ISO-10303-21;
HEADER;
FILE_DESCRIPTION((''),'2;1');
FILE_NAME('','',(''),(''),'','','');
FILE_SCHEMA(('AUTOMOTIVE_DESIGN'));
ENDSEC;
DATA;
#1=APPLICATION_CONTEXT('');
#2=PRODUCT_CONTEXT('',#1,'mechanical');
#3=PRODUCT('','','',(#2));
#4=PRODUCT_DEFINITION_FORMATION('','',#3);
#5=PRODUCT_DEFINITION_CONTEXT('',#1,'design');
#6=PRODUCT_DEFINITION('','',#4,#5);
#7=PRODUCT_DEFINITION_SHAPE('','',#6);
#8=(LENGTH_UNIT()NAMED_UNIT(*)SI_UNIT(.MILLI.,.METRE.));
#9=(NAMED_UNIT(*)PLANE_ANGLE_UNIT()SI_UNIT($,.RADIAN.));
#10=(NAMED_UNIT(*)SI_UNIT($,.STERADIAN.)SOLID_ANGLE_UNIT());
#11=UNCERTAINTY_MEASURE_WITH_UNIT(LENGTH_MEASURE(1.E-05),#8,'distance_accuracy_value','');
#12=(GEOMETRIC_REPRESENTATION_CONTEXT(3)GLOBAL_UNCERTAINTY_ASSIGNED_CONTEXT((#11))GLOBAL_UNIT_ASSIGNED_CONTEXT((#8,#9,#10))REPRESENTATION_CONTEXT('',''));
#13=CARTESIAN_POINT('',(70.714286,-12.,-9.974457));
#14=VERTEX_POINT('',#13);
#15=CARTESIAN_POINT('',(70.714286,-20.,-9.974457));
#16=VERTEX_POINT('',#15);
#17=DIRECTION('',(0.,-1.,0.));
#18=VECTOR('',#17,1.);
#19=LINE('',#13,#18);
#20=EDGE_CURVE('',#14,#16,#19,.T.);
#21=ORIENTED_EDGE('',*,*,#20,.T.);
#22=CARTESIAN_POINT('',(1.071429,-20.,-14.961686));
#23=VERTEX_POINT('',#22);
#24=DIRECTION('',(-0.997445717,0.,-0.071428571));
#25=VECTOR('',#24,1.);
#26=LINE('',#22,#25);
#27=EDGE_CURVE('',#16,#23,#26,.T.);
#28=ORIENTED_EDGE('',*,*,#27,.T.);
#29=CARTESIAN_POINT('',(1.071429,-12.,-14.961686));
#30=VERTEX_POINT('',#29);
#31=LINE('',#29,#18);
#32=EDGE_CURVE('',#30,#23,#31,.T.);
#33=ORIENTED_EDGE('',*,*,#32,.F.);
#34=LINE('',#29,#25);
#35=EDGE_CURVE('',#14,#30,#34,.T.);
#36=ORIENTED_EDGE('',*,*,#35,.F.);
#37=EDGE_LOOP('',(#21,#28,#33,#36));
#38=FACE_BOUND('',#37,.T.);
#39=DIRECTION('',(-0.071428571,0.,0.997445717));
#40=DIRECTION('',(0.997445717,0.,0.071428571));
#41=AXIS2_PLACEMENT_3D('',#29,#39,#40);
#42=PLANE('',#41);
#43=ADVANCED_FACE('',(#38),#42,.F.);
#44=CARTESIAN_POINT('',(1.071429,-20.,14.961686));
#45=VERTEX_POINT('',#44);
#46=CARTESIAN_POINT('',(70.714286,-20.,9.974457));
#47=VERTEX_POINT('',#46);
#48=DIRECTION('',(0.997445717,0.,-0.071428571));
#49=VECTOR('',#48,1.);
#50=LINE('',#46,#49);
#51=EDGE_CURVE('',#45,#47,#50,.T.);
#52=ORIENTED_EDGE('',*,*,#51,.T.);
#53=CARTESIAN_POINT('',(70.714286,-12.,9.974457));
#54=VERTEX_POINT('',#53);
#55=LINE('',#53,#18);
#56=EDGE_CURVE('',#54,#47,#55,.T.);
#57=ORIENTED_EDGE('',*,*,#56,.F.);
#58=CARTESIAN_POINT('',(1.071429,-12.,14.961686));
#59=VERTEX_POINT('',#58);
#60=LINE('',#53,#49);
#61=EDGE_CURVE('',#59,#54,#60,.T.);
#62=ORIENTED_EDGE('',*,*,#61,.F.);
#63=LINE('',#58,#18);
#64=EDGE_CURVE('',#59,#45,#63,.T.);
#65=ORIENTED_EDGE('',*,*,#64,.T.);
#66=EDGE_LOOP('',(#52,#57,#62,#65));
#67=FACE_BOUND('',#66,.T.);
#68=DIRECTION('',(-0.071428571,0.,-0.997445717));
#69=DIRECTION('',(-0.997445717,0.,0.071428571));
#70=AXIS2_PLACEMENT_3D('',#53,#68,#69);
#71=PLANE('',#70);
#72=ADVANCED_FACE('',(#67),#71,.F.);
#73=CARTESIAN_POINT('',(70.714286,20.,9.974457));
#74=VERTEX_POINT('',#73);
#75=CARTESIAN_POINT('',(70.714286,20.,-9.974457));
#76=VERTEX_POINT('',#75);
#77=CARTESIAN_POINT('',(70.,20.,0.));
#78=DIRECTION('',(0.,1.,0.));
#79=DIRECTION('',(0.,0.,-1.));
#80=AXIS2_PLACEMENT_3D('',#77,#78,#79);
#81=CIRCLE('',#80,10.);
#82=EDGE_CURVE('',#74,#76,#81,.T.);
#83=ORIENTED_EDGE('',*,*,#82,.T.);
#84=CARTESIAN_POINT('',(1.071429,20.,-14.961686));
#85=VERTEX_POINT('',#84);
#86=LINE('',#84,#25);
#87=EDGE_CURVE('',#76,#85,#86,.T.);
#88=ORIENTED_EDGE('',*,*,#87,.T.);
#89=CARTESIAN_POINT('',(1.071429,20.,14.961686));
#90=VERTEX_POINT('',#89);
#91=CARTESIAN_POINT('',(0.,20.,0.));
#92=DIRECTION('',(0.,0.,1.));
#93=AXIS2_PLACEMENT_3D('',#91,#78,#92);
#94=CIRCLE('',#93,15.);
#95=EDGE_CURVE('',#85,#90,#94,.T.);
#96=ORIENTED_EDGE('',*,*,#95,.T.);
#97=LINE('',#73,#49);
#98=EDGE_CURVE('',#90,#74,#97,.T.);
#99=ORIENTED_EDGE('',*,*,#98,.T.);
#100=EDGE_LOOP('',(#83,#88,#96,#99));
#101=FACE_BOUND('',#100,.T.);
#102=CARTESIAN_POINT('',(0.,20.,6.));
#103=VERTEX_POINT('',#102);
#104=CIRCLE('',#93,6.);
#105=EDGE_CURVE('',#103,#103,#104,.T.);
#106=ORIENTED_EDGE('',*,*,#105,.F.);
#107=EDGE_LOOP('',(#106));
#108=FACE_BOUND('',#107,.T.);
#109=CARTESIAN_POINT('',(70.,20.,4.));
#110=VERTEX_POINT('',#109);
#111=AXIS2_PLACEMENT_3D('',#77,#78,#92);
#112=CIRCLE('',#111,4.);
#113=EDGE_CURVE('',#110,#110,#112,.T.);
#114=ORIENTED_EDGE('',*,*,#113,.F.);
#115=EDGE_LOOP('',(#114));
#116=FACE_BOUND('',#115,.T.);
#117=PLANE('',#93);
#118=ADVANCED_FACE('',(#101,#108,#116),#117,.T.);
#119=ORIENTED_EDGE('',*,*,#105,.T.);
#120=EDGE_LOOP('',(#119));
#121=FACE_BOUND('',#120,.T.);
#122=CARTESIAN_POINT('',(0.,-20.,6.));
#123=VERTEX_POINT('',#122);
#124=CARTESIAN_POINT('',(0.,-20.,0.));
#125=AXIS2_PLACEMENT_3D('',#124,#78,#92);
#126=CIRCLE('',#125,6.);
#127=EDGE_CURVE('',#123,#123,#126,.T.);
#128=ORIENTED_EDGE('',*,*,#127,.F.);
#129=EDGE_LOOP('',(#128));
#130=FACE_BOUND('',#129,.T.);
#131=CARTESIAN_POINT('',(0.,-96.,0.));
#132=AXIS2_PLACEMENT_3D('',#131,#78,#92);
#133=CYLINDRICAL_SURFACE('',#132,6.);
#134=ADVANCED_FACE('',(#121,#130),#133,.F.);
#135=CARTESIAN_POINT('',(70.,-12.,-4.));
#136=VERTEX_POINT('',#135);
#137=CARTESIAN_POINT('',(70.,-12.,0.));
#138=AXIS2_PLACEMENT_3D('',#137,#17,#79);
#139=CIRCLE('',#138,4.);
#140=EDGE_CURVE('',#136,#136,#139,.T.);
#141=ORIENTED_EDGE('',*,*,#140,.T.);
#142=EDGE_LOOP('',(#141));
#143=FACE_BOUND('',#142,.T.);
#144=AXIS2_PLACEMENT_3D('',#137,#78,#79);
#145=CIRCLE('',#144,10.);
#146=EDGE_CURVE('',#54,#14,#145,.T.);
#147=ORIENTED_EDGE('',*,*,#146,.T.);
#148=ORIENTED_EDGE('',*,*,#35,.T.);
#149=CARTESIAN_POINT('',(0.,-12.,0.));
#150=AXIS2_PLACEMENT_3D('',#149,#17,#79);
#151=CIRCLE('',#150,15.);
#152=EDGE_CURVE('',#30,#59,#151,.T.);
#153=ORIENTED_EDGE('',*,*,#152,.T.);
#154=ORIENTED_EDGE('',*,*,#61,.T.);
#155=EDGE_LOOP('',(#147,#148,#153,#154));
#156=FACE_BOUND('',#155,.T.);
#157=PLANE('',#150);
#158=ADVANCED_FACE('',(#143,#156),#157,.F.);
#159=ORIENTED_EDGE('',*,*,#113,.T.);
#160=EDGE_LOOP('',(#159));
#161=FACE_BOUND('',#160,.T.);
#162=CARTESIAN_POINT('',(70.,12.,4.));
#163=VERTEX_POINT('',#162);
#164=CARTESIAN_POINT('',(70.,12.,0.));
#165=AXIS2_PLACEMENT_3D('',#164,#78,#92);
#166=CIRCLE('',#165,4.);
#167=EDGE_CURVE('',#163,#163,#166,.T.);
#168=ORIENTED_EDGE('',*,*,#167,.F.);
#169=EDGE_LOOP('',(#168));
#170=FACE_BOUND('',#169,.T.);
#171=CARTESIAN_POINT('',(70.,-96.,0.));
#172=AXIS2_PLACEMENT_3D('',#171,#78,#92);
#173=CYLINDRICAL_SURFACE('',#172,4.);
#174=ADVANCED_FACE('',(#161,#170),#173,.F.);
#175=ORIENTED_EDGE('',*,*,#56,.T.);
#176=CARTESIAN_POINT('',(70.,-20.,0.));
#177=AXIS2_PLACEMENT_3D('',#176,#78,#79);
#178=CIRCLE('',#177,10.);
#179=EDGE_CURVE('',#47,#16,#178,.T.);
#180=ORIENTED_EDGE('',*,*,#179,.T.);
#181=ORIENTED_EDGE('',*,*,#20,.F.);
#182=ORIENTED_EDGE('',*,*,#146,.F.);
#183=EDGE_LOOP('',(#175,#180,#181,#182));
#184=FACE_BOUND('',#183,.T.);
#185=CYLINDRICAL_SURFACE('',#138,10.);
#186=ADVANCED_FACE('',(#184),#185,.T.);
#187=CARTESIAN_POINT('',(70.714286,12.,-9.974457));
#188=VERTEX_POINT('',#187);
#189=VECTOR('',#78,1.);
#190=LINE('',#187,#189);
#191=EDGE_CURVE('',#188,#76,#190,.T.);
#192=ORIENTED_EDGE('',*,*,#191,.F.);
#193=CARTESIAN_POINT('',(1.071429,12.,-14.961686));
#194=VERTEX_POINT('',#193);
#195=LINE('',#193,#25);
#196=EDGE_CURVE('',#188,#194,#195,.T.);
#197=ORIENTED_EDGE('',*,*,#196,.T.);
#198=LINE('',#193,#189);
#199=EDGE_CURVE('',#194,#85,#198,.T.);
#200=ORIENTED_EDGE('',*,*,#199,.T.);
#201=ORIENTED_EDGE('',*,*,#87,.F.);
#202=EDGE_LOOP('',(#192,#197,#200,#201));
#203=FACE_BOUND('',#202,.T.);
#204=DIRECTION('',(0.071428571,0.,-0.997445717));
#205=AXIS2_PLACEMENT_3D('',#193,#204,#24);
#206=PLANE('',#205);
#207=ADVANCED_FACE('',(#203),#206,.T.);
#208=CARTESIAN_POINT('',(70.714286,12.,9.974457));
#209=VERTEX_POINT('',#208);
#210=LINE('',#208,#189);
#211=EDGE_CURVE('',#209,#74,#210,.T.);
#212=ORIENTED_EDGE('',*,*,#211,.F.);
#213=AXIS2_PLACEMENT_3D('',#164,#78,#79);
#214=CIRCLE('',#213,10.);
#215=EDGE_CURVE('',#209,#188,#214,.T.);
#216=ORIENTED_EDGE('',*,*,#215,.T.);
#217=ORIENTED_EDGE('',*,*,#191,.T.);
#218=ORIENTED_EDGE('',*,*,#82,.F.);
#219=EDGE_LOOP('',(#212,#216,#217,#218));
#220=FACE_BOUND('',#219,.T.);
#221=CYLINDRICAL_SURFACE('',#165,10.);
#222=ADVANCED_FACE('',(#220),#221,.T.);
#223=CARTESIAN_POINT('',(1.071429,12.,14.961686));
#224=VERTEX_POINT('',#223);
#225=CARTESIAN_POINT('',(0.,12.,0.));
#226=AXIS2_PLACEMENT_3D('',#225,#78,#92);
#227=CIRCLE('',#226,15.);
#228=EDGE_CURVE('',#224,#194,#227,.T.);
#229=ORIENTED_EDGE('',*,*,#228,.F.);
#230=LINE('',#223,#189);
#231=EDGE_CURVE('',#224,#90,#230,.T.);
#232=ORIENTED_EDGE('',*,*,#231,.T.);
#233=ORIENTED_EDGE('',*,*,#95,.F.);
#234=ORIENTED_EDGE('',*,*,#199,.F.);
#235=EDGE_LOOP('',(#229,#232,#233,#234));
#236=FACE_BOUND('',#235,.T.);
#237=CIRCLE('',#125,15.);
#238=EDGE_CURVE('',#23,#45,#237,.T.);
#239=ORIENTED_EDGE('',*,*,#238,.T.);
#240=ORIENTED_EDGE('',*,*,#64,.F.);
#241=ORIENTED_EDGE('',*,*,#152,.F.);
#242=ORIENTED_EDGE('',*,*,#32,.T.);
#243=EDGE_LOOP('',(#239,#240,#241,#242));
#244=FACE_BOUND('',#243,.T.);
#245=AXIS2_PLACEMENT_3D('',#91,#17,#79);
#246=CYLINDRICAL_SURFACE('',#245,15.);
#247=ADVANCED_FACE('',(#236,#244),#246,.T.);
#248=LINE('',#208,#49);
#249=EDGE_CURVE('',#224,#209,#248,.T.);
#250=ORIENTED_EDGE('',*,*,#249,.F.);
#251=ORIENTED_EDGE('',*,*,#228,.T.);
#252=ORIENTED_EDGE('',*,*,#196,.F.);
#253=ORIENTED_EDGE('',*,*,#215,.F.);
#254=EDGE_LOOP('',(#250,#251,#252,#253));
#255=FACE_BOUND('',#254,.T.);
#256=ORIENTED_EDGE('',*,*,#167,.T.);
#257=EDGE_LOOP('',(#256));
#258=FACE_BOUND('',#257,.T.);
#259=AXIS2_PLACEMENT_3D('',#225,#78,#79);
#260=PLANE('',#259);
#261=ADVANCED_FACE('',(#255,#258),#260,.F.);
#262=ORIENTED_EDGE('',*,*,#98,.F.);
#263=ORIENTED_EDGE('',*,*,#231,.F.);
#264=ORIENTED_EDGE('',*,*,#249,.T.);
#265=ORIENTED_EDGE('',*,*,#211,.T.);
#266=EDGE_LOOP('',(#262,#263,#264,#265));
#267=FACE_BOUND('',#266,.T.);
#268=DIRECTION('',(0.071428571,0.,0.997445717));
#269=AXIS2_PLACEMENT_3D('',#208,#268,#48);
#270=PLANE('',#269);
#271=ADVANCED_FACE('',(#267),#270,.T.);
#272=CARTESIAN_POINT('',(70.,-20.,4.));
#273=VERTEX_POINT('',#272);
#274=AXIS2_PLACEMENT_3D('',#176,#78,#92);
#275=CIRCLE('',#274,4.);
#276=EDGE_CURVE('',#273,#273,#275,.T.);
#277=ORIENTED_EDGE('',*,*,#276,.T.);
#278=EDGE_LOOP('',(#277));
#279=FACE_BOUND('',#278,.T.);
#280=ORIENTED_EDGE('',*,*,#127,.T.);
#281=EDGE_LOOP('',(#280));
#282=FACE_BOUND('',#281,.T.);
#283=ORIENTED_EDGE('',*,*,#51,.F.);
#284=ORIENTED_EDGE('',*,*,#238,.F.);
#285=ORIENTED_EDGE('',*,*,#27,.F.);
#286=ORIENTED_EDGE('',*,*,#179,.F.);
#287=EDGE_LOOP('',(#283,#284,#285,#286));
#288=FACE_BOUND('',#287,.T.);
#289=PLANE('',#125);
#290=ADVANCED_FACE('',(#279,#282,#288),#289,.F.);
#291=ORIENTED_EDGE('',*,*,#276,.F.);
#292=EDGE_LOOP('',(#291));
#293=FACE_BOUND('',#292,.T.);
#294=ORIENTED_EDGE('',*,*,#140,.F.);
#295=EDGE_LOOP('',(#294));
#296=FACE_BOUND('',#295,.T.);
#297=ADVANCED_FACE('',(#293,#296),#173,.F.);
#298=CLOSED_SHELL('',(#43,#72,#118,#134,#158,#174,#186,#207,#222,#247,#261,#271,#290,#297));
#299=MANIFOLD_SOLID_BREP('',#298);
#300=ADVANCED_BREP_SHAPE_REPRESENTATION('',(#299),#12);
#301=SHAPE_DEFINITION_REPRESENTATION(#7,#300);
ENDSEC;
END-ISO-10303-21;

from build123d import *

# Parameters (mm, degrees)
SKETCH_1_R          = 15
EXTRUDE_1_DEPTH     = 40
EXTRUDE_2_DEPTH     = 8
SKETCH_3_R          = 6
CUT_EXTRUDE_1_DEPTH = 96
SKETCH_4_R          = 4
CUT_EXTRUDE_2_DEPTH = 96


with BuildPart() as part:
    # 草图1 → 凸台-拉伸1 (new body)
    with BuildSketch(Plane(origin=(0, -20, 0), x_dir=(1, 0, 0), z_dir=(0, 1, 0))):
        with Locations(Location((0, 0, 0), (0, 0, 270))):
            Circle(SKETCH_1_R)
    extrude(amount=EXTRUDE_1_DEPTH)

    # 草图2 → 凸台-拉伸2 (add)
    with BuildSketch(Plane(origin=(0, -20, 0), x_dir=(1, 0, 0), z_dir=(0, 1, 0))):
        with BuildLine():
            Line((1.071428571, 14.961685761), (70.714285714, 9.974457174))
            ThreePointArc((70.714285714, 9.974457174), (80, 0), (70.714285714, -9.974457174))
            Line((70.714285714, -9.974457174), (1.071428571, -14.961685761))
            ThreePointArc((1.071428571, -14.961685761), (-15, 0), (1.071428571, 14.961685761))
        make_face()
    extrude_2 = extrude(amount=EXTRUDE_2_DEPTH)

    # 镜向1: 凸台-拉伸2 across plane
    add(extrude_2.mirror(Plane.ZX))

    # 草图3 → 切除-拉伸1 (cut, symmetric)
    with BuildSketch(Plane(origin=(0, 0, 0), x_dir=(1, 0, 0), z_dir=(0, 1, 0))):
        with Locations(Location((0, 0, 0), (0, 0, 270))):
            Circle(SKETCH_3_R)
    extrude(amount=CUT_EXTRUDE_1_DEPTH, both=True, mode=Mode.SUBTRACT)

    # 草图4 → 切除-拉伸2 (cut, symmetric)
    with BuildSketch(Plane(origin=(0, 0, 0), x_dir=(1, 0, 0), z_dir=(0, 1, 0))):
        with Locations(Location((70, 0, 0), (0, 0, 270))):
            Circle(SKETCH_4_R)
    extrude(amount=CUT_EXTRUDE_2_DEPTH, both=True, mode=Mode.SUBTRACT)


solid = part.part
